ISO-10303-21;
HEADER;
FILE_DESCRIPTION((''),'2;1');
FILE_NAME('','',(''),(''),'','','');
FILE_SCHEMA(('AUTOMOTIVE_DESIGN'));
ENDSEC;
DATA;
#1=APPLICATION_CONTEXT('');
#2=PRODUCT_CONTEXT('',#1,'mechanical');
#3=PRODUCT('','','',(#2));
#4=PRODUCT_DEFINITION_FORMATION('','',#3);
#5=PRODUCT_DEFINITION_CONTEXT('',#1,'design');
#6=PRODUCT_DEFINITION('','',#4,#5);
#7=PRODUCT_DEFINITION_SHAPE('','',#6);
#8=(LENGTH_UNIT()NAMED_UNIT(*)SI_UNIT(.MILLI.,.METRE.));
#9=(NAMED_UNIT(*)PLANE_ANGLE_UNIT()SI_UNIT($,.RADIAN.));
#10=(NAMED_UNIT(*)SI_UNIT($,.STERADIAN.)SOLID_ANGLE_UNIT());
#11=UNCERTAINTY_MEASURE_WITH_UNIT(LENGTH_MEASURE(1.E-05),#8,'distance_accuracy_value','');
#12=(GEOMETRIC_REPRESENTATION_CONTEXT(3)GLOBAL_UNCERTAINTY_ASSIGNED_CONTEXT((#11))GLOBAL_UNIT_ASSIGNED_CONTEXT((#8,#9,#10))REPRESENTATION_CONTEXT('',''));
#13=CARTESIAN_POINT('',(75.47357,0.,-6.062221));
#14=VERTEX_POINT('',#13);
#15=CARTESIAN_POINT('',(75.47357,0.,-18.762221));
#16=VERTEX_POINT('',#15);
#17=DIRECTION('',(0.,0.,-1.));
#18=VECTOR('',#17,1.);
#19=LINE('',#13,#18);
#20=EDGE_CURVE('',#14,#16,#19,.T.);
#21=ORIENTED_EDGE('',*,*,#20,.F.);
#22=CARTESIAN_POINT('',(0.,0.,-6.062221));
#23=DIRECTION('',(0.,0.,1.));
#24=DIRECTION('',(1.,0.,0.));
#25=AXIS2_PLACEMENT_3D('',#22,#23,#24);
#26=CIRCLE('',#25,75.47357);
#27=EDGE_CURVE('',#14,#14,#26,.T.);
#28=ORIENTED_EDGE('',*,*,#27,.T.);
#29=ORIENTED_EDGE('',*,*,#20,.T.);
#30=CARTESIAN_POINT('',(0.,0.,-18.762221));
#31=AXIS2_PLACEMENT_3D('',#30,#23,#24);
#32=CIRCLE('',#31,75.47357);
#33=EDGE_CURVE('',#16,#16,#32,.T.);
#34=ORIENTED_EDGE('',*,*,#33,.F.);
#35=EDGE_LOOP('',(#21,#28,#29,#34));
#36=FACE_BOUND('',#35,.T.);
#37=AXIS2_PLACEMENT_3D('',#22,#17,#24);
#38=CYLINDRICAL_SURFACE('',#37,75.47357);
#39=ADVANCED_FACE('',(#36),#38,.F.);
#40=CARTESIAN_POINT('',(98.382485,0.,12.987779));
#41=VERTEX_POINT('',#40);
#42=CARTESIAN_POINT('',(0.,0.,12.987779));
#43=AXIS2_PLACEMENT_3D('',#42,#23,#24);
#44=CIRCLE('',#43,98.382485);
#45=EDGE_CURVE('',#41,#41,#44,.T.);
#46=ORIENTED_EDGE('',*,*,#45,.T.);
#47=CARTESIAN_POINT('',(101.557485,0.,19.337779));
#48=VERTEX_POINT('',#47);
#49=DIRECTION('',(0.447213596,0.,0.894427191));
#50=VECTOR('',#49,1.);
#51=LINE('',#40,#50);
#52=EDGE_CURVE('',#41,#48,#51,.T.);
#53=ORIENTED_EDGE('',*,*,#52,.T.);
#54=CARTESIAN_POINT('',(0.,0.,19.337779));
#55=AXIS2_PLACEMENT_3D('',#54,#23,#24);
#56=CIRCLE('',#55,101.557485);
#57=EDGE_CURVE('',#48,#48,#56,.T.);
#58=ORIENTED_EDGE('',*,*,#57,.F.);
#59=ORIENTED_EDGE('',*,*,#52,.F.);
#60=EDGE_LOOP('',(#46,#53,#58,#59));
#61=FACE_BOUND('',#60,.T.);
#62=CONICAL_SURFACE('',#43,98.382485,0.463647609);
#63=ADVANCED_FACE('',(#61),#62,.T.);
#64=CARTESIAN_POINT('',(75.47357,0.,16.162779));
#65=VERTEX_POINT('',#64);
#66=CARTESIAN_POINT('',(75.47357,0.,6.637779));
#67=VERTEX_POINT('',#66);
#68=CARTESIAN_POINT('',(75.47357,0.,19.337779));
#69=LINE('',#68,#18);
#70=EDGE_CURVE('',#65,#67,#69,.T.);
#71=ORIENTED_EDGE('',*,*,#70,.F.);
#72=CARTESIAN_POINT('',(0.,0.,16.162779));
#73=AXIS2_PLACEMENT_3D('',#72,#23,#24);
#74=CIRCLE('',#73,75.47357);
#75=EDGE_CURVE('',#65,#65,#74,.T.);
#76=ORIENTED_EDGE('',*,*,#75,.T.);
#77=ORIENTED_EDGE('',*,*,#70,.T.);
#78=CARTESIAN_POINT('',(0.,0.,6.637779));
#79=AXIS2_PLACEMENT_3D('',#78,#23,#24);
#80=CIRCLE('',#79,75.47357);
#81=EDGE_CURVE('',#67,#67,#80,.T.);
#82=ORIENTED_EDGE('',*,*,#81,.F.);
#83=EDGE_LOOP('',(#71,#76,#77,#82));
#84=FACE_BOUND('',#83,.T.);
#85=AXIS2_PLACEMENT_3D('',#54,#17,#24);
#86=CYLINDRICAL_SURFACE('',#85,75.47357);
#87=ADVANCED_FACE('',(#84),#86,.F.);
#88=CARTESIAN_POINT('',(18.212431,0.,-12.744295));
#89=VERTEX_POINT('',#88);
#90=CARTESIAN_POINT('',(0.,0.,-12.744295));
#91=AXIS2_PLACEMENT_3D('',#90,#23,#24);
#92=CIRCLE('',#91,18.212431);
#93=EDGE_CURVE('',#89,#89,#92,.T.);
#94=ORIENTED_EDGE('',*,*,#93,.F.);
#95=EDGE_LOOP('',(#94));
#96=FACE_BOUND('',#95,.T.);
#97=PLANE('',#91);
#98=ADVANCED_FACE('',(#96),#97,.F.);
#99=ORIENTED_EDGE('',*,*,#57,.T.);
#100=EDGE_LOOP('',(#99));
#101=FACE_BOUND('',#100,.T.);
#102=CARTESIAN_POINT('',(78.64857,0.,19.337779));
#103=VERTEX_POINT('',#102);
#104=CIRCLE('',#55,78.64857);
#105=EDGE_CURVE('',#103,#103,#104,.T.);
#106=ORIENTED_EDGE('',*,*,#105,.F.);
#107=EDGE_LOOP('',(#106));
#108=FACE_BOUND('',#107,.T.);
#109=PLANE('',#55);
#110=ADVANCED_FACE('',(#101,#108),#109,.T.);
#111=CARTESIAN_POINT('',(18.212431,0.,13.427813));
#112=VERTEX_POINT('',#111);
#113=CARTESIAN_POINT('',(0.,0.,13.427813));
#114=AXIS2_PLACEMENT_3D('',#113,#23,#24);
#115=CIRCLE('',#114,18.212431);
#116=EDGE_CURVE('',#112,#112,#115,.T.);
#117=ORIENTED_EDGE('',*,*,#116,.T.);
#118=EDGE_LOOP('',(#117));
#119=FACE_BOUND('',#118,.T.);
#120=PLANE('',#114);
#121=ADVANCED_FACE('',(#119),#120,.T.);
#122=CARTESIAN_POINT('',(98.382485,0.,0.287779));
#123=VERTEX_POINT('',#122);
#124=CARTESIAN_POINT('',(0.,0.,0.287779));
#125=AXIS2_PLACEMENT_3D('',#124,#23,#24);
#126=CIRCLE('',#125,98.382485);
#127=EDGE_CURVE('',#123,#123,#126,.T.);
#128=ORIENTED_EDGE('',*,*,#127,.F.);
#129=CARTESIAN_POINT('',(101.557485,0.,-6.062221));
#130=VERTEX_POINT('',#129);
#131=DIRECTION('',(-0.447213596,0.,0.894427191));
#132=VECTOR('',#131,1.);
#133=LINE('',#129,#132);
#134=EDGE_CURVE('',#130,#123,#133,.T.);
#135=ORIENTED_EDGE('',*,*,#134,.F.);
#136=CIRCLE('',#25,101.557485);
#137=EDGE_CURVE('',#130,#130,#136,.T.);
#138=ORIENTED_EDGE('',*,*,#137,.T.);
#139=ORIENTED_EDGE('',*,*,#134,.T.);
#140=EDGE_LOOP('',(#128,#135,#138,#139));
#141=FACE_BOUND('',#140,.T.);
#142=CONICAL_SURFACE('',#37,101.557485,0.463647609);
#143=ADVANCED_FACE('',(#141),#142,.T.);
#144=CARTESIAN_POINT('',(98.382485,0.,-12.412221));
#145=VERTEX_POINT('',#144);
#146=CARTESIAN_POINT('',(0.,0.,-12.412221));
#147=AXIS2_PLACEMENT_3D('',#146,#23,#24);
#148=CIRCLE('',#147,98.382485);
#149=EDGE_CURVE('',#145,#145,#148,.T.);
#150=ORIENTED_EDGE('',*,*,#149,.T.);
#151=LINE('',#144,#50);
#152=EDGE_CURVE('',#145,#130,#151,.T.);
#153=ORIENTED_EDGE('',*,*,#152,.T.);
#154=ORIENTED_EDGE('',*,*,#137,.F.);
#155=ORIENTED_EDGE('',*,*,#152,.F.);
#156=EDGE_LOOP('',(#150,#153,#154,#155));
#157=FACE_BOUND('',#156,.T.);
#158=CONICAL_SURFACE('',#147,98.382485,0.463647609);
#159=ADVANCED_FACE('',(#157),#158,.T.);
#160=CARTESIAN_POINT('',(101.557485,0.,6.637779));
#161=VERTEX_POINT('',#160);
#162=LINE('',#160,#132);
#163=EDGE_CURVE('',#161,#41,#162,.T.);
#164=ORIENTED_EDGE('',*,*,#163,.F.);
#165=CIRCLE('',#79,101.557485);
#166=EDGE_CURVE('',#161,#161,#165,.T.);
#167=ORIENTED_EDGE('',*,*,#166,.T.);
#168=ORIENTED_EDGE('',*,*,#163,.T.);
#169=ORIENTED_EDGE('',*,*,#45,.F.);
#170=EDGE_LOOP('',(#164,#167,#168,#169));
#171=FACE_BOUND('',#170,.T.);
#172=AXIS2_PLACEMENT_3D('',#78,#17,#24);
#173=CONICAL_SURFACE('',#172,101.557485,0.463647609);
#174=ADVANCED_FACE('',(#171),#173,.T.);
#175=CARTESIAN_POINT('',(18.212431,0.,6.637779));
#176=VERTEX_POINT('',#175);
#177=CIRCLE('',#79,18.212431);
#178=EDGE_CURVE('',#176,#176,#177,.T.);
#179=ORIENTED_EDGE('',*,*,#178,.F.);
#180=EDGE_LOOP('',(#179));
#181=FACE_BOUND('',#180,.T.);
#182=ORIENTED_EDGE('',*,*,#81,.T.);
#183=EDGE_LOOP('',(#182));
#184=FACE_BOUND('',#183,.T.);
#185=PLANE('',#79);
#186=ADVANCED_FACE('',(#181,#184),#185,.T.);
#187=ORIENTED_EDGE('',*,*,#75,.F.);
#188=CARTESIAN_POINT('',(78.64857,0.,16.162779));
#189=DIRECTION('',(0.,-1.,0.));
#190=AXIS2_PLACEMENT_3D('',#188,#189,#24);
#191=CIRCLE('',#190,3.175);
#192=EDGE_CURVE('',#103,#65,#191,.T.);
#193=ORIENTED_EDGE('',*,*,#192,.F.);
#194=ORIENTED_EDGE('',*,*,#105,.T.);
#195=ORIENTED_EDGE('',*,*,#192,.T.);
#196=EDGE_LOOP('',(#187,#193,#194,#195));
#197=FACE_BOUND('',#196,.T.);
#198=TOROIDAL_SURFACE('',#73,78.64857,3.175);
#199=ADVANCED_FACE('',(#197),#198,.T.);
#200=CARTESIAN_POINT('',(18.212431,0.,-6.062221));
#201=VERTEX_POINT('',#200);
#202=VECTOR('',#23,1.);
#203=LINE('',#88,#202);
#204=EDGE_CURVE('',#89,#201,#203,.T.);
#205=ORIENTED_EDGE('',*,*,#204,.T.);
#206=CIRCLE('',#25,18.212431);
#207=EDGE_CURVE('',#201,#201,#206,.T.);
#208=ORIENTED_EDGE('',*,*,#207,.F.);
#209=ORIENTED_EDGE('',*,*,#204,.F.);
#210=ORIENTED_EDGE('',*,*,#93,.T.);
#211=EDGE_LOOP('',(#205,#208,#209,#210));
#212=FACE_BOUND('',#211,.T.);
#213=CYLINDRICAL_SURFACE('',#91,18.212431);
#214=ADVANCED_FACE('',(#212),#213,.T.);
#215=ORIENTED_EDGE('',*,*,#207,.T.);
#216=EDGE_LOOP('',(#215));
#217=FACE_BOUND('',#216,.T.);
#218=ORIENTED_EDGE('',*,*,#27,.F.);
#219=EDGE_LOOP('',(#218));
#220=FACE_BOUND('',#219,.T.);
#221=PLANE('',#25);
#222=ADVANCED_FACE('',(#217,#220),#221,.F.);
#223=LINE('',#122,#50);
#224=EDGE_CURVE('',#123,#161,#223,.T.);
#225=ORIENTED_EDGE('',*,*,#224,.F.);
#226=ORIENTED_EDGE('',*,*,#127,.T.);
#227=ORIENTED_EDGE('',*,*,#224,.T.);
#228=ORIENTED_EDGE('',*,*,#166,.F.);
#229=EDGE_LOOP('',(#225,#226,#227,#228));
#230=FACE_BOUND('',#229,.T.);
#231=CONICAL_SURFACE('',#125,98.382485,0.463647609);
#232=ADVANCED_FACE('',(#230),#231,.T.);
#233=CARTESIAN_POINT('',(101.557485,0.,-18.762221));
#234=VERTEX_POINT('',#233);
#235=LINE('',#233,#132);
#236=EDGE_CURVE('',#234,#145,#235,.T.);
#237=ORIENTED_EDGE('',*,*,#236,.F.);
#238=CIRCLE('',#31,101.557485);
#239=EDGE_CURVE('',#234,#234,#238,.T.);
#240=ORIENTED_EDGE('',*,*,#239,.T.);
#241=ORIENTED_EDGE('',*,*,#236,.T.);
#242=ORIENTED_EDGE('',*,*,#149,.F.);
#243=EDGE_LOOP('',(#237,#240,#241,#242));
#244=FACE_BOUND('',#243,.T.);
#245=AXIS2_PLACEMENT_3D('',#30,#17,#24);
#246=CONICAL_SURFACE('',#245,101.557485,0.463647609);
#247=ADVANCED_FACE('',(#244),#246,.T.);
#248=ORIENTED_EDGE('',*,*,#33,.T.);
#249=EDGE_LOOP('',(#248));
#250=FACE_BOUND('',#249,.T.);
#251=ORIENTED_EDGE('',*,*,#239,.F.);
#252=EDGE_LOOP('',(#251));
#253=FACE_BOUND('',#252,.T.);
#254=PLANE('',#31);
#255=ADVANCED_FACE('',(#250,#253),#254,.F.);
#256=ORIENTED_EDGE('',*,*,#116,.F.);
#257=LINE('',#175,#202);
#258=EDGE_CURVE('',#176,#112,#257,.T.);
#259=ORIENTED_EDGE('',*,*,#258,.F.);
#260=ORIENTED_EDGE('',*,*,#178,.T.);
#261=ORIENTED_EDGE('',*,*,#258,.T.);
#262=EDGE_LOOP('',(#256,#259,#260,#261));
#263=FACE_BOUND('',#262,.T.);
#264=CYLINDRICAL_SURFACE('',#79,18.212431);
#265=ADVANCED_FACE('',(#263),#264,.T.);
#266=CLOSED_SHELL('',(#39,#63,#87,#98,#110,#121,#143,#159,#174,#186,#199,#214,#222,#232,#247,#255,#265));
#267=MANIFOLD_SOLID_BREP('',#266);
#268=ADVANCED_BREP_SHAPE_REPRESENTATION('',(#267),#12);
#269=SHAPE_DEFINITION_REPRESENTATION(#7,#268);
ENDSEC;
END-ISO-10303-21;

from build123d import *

# Parameters (mm, degrees)
F2_R = 3.175


with BuildPart() as f1:
    # F0 (on Front) → F1 (revolve)
    with BuildSketch(Plane.XZ):
        Polygon((0, 13.427813), (0, 0), (0, -12.744295), (18.212431, -12.744295), (18.212431, -6.062221), (75.47357, -6.062221), (75.47357, -18.762221), (101.557485, -18.762221), (98.382485, -12.412221), (101.557485, -6.062221), (98.382485, 0.287779), (101.557485, 6.637779), (98.382485, 12.987779), (101.557485, 19.337779), (75.47357, 19.337779), (75.47357, 6.637779), (18.212431, 6.637779), (18.212431, 13.427813), align=None)
    revolve(axis=Axis((0, 0, 6.713907), (0, 0, 1)))

    # F2
    f2_edges = [f1.edges().sort_by_distance(p)[0] for p in [
        (-75.47357, 0, 19.337779),
    ]]
    fillet(f2_edges, radius=F2_R)


solid = f1.part
